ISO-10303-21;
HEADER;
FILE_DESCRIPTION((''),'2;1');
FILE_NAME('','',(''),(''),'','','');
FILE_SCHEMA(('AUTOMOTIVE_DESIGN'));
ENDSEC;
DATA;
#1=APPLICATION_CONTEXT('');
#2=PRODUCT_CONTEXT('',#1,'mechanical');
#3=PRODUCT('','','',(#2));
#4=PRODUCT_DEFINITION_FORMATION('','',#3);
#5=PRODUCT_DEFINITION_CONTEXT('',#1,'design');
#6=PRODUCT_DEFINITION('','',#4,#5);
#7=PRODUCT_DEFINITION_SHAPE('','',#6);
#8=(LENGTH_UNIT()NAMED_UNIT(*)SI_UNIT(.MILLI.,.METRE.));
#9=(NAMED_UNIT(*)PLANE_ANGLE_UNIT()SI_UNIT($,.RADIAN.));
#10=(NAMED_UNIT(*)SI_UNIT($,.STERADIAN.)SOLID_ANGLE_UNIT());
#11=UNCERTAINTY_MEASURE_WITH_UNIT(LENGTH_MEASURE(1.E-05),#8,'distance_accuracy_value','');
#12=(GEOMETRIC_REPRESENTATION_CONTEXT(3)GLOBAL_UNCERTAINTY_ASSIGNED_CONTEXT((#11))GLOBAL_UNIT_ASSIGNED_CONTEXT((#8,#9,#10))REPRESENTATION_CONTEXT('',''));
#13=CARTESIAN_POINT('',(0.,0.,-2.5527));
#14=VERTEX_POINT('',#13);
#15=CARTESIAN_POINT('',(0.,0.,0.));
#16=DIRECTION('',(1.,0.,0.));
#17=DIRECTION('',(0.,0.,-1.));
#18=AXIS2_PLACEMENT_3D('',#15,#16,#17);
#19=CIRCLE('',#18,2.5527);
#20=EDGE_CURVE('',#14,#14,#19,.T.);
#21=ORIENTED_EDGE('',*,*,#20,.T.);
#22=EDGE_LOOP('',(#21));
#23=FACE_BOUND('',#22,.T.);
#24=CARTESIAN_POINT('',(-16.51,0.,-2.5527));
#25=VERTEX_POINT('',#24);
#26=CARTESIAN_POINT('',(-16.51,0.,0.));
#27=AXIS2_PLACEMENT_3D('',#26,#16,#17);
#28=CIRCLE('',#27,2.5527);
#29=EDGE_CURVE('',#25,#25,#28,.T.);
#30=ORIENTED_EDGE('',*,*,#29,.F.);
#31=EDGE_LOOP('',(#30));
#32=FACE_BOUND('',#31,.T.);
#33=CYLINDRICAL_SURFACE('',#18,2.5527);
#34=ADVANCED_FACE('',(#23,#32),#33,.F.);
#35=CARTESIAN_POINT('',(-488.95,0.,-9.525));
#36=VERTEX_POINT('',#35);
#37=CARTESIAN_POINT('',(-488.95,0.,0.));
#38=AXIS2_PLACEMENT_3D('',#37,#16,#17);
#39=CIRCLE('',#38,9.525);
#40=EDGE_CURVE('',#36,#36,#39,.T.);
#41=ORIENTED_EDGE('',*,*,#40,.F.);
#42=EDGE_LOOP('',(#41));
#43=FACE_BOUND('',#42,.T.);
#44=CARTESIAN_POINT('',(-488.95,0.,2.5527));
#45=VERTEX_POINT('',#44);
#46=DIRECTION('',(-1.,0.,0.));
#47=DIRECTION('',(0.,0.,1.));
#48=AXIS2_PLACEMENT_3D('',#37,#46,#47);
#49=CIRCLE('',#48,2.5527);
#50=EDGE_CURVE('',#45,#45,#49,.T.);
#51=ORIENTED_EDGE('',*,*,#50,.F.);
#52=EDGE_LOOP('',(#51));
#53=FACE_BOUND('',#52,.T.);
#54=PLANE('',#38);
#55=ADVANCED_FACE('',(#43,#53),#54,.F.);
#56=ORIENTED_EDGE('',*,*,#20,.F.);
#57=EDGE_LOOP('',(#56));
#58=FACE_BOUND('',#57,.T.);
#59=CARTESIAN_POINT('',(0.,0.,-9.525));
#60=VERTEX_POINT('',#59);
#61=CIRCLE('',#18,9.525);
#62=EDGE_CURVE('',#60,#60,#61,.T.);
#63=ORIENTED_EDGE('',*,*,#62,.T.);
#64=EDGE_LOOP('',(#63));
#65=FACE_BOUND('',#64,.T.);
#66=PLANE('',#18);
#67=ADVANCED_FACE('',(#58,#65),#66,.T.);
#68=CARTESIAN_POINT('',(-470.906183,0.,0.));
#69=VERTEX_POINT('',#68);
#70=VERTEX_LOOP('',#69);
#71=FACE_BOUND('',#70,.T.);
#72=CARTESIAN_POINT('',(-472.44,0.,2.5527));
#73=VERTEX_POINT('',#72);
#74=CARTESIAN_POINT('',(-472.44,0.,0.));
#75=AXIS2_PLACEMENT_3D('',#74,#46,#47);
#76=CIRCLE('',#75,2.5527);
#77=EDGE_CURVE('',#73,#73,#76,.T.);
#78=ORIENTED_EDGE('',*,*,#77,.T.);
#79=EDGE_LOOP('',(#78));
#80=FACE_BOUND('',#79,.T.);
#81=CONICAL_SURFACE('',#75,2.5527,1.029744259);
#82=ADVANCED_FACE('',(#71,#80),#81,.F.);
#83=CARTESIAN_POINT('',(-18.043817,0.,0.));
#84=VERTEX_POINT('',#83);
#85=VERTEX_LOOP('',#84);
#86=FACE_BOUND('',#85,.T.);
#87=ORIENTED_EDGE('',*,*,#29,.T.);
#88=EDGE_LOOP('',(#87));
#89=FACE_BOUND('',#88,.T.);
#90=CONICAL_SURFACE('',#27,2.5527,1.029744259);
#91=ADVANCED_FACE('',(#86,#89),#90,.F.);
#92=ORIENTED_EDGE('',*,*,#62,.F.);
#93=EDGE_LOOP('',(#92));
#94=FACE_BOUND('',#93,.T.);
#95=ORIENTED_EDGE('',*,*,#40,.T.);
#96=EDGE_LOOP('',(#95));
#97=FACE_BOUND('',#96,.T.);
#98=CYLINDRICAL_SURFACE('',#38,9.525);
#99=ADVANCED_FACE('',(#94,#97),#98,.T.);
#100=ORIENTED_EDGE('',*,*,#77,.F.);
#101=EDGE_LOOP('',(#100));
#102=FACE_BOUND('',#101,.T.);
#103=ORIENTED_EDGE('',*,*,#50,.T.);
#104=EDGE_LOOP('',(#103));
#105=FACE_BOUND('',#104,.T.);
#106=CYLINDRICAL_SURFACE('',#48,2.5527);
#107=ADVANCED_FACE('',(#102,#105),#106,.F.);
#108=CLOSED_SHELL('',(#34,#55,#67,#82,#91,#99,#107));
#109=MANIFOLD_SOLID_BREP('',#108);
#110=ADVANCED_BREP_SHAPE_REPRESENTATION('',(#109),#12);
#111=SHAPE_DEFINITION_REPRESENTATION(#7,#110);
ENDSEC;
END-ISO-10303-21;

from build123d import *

# Parameters (mm, degrees)
SKETCH1_R                   = 9.525
BOSS_EXTRUDE1_DEPTH         = 488.95
F_1_4_20_TAPPED_HOLE1_D     = 5.1054
F_1_4_20_TAPPED_HOLE1_DEPTH = 16.51
F_1_4_20_TAPPED_HOLE1_TIP   = 1.533816902
F_1_4_20_TAPPED_HOLE2_D     = 5.1054
F_1_4_20_TAPPED_HOLE2_DEPTH = 16.51
F_1_4_20_TAPPED_HOLE2_TIP   = 1.533816902


with BuildPart() as part:
    # Sketch1 → Boss-Extrude1 (new body)
    with BuildSketch(Plane(origin=(0, 0, 0), x_dir=(0, 0, -1), z_dir=(1, 0, 0))):
        Circle(SKETCH1_R)
    extrude(amount=-BOSS_EXTRUDE1_DEPTH)

    # 1/4-20 Tapped Hole1
    with Locations(Plane(origin=(0, 0, 0), x_dir=(0, 0, -1), z_dir=(1, 0, 0))):
        with Locations((0, 0)):
            Hole(F_1_4_20_TAPPED_HOLE1_D / 2, depth=F_1_4_20_TAPPED_HOLE1_DEPTH)
            with Locations((0, 0, -(F_1_4_20_TAPPED_HOLE1_DEPTH + F_1_4_20_TAPPED_HOLE1_TIP / 2))):  # 118° drill point
                Cone(0, F_1_4_20_TAPPED_HOLE1_D / 2, F_1_4_20_TAPPED_HOLE1_TIP, mode=Mode.SUBTRACT)

    # 1/4-20 Tapped Hole2
    with Locations(Plane.ZY.offset(488.95)):
        with Locations((0, 0)):
            Hole(F_1_4_20_TAPPED_HOLE2_D / 2, depth=F_1_4_20_TAPPED_HOLE2_DEPTH)
            with Locations((0, 0, -(F_1_4_20_TAPPED_HOLE2_DEPTH + F_1_4_20_TAPPED_HOLE2_TIP / 2))):  # 118° drill point
                Cone(0, F_1_4_20_TAPPED_HOLE2_D / 2, F_1_4_20_TAPPED_HOLE2_TIP, mode=Mode.SUBTRACT)


solid = part.part
